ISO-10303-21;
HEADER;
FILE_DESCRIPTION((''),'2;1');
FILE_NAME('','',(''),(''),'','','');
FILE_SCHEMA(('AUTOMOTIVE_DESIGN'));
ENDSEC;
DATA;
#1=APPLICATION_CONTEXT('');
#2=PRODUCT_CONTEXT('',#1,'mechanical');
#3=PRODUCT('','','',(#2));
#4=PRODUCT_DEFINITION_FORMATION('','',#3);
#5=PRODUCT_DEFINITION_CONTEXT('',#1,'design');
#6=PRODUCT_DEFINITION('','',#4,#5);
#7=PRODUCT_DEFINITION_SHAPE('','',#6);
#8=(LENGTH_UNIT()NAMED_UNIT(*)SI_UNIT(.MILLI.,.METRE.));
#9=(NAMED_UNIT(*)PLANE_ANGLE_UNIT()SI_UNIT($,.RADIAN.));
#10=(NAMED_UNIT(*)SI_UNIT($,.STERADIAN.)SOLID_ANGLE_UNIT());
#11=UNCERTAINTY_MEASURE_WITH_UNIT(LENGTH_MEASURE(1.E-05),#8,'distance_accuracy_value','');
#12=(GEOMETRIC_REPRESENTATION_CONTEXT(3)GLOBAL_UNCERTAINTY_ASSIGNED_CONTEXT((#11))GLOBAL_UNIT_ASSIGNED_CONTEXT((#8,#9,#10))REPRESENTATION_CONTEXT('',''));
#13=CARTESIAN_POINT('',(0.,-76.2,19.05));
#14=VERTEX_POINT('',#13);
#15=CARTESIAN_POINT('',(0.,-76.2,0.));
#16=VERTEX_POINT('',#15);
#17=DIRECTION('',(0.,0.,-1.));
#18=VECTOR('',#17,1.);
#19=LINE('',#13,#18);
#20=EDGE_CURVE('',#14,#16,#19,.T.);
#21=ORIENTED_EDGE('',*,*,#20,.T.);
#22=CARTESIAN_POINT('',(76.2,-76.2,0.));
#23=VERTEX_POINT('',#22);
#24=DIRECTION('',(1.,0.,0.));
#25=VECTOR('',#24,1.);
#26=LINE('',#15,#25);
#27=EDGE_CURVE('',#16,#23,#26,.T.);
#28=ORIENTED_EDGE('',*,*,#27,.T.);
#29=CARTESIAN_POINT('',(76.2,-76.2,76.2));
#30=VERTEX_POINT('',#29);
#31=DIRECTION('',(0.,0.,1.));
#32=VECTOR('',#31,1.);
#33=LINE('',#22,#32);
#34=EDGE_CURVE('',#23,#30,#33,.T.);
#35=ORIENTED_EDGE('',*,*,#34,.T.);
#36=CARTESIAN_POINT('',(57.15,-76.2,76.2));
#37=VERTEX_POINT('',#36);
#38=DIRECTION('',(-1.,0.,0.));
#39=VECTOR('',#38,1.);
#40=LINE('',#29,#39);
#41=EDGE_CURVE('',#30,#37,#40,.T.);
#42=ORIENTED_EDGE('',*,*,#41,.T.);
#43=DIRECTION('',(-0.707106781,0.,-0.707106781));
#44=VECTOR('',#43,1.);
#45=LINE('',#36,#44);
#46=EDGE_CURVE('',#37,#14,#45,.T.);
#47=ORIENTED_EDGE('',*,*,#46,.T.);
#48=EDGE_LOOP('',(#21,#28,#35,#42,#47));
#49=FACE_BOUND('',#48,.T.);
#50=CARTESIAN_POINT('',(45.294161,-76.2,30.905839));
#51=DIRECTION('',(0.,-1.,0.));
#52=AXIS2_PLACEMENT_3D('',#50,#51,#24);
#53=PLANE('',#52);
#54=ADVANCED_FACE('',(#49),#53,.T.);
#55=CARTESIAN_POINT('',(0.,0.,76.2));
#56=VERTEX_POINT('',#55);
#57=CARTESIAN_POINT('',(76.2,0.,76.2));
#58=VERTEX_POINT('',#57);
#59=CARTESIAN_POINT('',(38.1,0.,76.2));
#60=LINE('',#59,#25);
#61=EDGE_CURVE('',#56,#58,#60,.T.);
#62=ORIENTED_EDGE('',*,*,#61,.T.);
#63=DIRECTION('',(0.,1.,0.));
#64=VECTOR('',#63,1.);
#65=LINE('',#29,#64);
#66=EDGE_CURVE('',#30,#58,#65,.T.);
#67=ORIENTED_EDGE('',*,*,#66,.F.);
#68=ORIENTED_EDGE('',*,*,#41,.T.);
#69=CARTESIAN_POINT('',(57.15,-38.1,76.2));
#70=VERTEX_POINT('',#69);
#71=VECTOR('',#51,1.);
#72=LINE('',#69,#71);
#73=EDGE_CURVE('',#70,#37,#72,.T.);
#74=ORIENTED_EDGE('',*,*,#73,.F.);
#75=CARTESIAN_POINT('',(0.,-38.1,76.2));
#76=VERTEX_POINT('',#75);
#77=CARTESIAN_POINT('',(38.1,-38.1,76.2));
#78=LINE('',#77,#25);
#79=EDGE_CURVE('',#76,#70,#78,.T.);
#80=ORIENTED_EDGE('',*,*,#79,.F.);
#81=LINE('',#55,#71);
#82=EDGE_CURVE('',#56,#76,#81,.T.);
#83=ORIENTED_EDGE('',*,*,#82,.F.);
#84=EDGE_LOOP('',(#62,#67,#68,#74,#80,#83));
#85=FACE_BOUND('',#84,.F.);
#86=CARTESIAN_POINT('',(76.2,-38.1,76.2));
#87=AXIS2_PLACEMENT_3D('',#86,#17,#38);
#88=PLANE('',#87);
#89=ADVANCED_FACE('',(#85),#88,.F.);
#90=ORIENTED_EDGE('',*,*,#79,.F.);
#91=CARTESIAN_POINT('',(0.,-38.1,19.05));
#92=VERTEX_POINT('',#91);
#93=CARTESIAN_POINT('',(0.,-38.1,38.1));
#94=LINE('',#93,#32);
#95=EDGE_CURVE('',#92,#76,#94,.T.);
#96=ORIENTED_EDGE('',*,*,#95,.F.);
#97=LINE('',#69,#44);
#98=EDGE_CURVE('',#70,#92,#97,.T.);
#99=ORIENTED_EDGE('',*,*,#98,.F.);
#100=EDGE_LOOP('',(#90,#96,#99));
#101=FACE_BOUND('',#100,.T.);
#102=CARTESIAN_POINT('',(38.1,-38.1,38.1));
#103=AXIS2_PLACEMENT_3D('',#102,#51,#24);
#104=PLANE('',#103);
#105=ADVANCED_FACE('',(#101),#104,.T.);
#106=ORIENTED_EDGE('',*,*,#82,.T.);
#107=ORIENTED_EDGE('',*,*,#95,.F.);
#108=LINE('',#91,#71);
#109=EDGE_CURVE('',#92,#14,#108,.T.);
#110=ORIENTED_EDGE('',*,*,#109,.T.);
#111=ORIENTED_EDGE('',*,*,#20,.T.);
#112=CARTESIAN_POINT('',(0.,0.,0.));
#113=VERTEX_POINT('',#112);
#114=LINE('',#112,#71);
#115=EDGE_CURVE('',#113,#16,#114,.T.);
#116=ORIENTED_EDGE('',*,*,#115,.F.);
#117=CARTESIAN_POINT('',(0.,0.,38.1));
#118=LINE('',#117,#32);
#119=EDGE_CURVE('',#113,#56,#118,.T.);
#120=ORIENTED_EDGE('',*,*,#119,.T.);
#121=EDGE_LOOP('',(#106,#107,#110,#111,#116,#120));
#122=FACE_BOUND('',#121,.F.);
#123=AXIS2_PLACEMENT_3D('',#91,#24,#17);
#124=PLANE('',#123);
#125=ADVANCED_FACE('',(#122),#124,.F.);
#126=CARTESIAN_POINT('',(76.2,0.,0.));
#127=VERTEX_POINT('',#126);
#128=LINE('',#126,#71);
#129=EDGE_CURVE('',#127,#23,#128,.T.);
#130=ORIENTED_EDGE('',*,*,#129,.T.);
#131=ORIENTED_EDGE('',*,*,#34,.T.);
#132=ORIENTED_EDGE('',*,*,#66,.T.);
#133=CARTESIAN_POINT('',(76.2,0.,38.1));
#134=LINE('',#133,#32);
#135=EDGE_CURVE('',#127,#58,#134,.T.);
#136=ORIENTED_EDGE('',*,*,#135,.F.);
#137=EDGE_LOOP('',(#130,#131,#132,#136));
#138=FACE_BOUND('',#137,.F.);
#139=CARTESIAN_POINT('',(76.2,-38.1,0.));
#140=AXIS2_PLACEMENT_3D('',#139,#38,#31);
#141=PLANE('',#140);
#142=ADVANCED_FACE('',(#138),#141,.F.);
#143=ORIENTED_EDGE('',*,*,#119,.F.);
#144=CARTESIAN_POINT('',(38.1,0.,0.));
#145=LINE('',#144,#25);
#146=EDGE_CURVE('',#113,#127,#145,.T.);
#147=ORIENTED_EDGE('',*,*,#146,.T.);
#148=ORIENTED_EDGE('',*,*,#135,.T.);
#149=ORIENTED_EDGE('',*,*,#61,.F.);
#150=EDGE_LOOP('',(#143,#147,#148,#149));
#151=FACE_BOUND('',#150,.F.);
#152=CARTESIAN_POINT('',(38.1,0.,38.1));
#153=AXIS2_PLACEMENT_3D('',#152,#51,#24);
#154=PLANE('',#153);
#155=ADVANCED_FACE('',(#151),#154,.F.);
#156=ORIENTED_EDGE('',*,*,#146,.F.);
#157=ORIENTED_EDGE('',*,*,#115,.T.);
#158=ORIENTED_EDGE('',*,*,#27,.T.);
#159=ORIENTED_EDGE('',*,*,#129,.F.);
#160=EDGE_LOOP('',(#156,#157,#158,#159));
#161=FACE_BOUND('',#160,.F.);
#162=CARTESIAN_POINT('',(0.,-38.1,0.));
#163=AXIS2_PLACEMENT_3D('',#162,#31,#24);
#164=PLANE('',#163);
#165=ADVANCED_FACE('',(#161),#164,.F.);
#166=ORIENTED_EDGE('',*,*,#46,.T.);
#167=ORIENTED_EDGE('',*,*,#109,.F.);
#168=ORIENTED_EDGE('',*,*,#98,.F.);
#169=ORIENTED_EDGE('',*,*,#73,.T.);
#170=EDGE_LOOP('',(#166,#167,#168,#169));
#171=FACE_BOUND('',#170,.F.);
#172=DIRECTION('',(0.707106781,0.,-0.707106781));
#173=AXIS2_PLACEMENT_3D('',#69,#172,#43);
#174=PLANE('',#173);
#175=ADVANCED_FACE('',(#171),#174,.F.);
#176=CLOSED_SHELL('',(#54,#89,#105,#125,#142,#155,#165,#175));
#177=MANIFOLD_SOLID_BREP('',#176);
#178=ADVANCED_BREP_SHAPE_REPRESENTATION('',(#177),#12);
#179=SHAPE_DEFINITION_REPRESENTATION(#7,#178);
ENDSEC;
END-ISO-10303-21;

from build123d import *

# Parameters (mm, degrees)
F0_W     = 76.2
F0_H     = 76.2
F1_DEPTH = 38.1
F3_DEPTH = 38.1


with BuildPart() as f1:
    # F0 (on Front) → F1 (new body)
    with BuildSketch(Plane.XZ):
        with Locations((38.1, 38.1)):
            Rectangle(F0_W, F0_H)
    extrude(amount=F1_DEPTH)

    # F2 (on face) → F3 (join)
    with BuildSketch(Plane.XZ.offset(38.1)):
        Polygon((0, 19.05), (0, 0), (76.2, 0), (76.2, 76.2), (57.15, 76.2), align=None)
    extrude(amount=F3_DEPTH)


solid = f1.part
